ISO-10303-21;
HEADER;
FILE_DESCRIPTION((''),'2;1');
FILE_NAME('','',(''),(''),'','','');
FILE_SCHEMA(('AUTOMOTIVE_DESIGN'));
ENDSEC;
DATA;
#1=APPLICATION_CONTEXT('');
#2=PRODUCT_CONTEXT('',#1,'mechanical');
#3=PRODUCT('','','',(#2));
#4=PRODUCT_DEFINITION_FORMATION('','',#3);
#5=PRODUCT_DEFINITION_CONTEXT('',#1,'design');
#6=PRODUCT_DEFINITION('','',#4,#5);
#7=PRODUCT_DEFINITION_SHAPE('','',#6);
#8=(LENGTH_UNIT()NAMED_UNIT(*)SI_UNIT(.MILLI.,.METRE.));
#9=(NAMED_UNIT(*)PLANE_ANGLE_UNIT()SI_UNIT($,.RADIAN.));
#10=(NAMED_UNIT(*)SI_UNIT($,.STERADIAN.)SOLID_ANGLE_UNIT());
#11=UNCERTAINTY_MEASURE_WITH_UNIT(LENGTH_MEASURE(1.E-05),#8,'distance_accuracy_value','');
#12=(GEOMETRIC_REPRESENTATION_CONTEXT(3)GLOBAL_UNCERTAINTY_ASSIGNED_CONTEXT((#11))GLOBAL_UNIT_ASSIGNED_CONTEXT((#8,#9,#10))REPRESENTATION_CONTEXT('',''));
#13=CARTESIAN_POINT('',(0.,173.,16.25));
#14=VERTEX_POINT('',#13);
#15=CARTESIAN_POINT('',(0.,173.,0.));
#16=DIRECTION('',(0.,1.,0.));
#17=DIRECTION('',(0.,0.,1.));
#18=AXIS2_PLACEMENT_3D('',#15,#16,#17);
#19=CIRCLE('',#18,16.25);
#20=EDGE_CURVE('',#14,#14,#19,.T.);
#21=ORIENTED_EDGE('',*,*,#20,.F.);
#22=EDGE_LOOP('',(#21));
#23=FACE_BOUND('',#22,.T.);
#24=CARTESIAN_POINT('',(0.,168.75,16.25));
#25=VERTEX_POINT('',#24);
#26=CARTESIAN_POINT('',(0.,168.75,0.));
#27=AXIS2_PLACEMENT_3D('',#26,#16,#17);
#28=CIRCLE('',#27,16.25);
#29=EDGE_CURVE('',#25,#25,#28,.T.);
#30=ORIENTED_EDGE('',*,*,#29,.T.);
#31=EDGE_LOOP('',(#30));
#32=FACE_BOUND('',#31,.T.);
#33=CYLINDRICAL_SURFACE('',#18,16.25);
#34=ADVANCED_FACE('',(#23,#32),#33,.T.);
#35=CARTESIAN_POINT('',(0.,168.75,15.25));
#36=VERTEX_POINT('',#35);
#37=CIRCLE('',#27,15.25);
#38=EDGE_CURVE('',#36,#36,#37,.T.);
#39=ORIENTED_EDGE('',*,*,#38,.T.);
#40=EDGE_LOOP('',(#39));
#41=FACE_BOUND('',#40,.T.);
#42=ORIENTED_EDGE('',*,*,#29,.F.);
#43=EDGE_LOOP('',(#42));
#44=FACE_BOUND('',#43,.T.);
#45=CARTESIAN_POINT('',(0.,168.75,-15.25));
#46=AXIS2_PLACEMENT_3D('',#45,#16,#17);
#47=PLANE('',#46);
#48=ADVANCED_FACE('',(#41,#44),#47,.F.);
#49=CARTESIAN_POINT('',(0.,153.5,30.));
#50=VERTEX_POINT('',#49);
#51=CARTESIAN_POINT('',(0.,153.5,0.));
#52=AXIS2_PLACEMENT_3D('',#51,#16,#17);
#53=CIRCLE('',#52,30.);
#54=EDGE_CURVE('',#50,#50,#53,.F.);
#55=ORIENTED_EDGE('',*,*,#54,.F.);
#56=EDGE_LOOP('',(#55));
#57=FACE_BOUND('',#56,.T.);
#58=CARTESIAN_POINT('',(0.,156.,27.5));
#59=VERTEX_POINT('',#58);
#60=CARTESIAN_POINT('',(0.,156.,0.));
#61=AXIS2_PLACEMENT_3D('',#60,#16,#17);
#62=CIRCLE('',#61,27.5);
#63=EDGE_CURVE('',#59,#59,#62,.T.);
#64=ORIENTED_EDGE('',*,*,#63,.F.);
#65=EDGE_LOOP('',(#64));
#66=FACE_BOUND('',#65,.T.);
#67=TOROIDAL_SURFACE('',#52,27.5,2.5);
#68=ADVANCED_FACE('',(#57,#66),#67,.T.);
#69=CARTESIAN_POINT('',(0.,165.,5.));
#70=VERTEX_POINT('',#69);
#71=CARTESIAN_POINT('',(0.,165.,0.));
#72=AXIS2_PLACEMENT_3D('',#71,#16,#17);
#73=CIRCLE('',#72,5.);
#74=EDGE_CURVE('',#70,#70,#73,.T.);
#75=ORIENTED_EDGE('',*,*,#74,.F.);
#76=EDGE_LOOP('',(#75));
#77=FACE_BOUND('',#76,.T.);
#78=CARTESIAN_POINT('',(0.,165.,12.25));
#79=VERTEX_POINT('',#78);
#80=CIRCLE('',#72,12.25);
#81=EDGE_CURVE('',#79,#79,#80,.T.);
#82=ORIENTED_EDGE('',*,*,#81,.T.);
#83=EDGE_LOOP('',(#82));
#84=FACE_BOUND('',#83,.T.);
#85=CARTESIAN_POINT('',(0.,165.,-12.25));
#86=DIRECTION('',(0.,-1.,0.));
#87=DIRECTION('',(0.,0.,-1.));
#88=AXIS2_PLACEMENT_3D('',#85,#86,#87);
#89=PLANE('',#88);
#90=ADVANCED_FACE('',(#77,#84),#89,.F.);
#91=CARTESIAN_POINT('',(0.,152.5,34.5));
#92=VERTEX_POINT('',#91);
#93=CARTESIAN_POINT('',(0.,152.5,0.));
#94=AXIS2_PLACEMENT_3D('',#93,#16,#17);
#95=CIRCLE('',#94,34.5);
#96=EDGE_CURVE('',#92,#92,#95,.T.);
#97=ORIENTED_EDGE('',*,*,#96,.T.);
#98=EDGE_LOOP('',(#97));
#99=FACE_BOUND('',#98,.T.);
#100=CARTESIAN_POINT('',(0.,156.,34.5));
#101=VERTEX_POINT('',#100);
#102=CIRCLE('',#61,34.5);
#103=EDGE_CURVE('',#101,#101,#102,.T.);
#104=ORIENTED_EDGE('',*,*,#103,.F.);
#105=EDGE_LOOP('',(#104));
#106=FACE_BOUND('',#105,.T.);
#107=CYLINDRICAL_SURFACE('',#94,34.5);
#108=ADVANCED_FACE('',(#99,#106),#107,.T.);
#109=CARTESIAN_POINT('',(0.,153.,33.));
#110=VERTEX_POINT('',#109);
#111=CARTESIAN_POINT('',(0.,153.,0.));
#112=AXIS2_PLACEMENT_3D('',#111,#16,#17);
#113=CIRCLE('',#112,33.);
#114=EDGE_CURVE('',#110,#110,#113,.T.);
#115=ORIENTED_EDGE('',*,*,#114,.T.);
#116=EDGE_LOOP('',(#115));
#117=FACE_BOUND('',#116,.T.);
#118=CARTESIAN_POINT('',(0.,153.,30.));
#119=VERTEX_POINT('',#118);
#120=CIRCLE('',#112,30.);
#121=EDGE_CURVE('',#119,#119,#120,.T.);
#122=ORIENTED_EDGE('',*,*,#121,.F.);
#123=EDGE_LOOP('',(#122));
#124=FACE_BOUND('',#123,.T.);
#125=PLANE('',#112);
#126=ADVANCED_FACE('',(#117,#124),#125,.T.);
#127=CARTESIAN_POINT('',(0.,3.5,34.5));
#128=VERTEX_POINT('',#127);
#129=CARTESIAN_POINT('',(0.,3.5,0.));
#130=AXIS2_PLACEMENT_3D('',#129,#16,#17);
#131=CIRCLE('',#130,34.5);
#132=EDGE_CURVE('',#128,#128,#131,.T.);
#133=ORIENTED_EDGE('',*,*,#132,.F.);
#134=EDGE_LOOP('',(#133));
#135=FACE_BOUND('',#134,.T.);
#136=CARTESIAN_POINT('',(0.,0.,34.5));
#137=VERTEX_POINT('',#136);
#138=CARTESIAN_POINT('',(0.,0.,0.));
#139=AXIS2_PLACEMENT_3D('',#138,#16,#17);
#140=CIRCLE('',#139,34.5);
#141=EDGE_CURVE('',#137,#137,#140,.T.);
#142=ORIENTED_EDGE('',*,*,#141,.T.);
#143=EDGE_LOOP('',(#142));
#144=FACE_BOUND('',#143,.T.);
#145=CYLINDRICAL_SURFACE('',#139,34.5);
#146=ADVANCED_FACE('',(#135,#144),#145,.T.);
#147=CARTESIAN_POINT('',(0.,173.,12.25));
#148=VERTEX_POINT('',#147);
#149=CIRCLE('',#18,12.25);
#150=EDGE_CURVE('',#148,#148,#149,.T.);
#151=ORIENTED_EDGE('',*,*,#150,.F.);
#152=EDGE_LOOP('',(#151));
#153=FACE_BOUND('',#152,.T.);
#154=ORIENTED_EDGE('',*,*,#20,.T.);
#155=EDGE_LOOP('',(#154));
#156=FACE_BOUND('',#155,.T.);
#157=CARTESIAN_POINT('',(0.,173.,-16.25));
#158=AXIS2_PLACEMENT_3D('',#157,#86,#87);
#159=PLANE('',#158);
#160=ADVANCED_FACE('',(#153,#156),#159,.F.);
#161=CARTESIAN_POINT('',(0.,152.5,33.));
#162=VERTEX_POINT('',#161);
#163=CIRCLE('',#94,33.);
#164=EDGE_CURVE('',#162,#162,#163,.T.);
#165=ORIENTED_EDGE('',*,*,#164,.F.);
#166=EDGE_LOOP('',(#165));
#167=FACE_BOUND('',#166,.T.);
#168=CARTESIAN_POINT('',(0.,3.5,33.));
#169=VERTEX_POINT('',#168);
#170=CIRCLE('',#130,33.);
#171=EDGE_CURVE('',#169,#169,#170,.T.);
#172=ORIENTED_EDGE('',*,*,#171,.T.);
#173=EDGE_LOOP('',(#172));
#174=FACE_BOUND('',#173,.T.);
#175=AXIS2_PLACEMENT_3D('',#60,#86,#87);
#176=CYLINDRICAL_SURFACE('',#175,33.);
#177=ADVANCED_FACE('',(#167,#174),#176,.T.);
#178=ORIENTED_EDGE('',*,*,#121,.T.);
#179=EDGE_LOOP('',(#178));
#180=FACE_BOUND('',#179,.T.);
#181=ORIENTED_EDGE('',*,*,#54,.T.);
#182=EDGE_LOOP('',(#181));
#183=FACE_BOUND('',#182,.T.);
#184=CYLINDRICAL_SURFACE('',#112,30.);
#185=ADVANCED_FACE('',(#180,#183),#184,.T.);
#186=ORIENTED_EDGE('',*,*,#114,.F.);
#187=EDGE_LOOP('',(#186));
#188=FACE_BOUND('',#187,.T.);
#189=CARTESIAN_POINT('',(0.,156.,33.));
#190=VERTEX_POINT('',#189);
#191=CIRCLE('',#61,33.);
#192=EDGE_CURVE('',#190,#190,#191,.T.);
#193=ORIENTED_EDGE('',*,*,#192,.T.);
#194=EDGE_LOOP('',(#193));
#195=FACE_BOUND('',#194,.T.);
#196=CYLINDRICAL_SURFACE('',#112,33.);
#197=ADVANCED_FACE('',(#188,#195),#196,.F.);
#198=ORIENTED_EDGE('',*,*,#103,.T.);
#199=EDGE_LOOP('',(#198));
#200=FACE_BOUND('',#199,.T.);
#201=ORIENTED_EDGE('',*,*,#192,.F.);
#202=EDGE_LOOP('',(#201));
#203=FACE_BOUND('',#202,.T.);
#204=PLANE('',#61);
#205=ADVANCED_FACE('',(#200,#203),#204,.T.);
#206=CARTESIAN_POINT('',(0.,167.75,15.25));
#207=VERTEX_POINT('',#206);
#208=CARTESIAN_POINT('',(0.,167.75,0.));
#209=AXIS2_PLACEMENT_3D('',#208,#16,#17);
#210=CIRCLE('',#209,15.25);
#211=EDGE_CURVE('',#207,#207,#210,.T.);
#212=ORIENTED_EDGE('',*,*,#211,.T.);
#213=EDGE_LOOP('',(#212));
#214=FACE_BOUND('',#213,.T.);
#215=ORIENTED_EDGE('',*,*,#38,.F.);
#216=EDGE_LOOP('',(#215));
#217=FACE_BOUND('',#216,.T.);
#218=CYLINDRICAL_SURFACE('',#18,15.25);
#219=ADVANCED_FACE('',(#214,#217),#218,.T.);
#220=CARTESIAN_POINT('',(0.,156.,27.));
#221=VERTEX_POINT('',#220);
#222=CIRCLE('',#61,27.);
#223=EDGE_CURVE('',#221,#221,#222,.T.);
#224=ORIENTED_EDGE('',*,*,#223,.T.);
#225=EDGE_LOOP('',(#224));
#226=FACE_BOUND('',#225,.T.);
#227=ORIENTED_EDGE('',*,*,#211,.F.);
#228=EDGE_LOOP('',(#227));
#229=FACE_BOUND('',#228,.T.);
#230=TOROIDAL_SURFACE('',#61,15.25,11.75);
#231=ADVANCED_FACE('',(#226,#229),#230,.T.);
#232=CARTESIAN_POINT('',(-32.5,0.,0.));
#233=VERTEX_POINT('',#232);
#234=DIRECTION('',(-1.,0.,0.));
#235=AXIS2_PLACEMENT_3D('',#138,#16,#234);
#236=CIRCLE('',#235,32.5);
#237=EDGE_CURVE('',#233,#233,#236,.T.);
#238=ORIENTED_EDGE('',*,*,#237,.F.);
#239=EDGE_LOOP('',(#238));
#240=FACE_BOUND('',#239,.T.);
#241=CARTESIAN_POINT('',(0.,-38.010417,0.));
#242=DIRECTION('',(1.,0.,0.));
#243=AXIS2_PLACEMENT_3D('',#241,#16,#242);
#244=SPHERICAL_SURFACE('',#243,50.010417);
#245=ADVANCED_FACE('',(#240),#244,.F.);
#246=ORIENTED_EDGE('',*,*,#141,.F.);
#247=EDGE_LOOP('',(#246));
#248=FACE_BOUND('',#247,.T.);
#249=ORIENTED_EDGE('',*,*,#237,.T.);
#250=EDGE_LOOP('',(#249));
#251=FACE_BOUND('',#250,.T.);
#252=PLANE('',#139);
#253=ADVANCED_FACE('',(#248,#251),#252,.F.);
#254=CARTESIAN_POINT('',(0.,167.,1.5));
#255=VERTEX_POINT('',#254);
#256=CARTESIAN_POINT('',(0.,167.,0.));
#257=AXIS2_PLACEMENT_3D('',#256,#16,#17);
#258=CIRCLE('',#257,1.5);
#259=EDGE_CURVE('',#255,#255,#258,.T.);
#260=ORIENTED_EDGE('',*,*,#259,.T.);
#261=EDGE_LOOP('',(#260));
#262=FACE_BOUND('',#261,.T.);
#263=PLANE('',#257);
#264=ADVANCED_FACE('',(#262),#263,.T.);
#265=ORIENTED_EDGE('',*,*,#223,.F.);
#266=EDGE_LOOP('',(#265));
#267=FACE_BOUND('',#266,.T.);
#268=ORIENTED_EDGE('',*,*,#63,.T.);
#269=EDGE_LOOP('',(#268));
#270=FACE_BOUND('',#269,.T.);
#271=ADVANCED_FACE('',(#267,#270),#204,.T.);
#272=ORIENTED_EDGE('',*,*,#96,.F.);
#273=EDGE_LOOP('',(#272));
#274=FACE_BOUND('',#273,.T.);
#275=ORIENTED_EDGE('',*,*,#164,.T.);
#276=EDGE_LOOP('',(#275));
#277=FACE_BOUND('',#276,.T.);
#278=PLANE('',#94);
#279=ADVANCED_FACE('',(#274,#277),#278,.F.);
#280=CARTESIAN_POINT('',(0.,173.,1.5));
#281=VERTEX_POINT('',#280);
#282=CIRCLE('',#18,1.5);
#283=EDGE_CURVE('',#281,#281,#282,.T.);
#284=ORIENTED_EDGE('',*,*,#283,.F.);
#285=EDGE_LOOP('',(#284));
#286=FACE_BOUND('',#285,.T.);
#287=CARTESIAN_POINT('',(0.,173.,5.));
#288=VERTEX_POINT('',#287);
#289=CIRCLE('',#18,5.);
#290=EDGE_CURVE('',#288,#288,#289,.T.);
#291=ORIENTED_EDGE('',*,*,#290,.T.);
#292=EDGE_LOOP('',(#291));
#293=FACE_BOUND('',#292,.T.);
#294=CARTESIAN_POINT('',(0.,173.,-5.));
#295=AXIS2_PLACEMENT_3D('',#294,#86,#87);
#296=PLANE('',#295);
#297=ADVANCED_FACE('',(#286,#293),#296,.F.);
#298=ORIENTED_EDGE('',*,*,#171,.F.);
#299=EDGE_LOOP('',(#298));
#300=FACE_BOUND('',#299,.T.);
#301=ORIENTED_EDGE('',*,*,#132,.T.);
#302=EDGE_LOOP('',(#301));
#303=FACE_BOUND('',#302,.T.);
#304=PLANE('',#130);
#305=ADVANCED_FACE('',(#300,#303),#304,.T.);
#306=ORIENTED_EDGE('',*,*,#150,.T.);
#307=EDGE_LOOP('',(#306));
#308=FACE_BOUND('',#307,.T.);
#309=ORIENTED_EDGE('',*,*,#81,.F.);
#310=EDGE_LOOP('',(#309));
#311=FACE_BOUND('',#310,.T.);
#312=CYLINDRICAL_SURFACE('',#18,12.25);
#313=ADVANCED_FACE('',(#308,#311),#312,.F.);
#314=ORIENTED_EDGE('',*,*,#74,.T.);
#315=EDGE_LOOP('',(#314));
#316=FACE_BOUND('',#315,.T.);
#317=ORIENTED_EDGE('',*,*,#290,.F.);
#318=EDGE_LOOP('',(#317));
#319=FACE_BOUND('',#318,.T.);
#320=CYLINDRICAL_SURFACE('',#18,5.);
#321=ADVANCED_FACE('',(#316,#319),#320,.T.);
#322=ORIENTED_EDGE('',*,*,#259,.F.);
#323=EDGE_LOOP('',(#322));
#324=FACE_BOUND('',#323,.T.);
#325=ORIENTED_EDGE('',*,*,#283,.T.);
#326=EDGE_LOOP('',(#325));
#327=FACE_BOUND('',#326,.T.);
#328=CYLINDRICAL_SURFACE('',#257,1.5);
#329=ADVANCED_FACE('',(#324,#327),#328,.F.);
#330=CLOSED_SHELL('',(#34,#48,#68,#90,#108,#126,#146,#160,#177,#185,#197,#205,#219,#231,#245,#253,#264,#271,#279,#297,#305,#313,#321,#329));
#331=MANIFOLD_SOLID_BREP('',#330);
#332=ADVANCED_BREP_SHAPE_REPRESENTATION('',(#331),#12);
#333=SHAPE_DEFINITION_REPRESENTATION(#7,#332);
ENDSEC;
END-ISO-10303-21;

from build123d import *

# Parameters (mm, degrees)
SKETCH1_R           = 33
BOSS_EXTRUDE1_DEPTH = 156
SKETCH3_R           = 34.5
BOSS_EXTRUDE2_DEPTH = 3.5
LPATTERN1_COUNT     = 2
LPATTERN1_PITCH     = 152.5
SKETCH6_R           = 1.5
CUT_EXTRUDE1_DEPTH  = 6
CUT_EXTRUDE2_START  = -3
SKETCH7_R           = 33
SKETCH7_R_2         = 30
CUT_EXTRUDE2_DEPTH  = 3
FILLET1_R           = 2.5


with BuildPart() as part:
    # Sketch1 → Boss-Extrude1 (new body)
    with BuildSketch(Plane(origin=(0, 0, 0), x_dir=(1, 0, 0), z_dir=(0, 1, 0))):
        with Locations(Location((0, 0, 0), (0, 0, 270))):
            Circle(SKETCH1_R)
    extrude(amount=BOSS_EXTRUDE1_DEPTH)

    # Sketch2 → Revolve1 (revolve)
    with BuildSketch(Plane(origin=(0, 0, 0), x_dir=(0, 0, -1), z_dir=(1, 0, 0)), mode=Mode.PRIVATE) as revolve1_sk:
        with BuildLine():
            Line((15.25, 167.75), (15.25, 168.75))
            Line((15.25, 168.75), (16.25, 168.75))
            Line((16.25, 168.75), (16.25, 173))
            Line((16.25, 173), (12.25, 173))
            Line((12.25, 173), (12.25, 165))
            Line((12.25, 165), (5, 165))
            Line((5, 165), (5, 173))
            Line((5, 173), (0, 173))
            Line((0, 173), (0, 156))
            Line((0, 156), (27, 156))
            ThreePointArc((27, 156), (23.558504679, 164.308504679), (15.25, 167.75))
        make_face()
    revolve(revolve1_sk.sketch.rotate(Axis((0, 173, 0), (0, -1, 0)), 180), axis=Axis((0, 173, 0), (0, -1, 0)))

    # Sketch3 → Boss-Extrude2 (add)
    with BuildSketch(Plane(origin=(0, 156, 0), x_dir=(1, 0, 0), z_dir=(0, 1, 0))):
        with Locations(Location((0, 0, 0), (0, 0, 270))):
            Circle(SKETCH3_R)
    boss_extrude2 = extrude(amount=-BOSS_EXTRUDE2_DEPTH)

    # LPattern1: Boss-Extrude2 ×2
    with Locations(*[(0, -i * LPATTERN1_PITCH, 0) for i in range(1, LPATTERN1_COUNT)]):
        add(boss_extrude2)

    # Sketch5 → Cut-Revolve1 (revolve, cut)
    with BuildSketch(Plane.XY, mode=Mode.PRIVATE) as cut_revolve1_sk:
        with BuildLine():
            Line((0, 0), (-32.5, 0))
            ThreePointArc((-32.5, 0), (-17.322312201, 8.904178879), (0, 12))
            Line((0, 12), (0, 0))
        make_face()
    revolve(cut_revolve1_sk.sketch.rotate(Axis((0, 12, 0), (0, -1, 0)), 180), axis=Axis((0, 12, 0), (0, -1, 0)), mode=Mode.SUBTRACT)

    # Sketch6 → Cut-Extrude1 (cut)
    with BuildSketch(Plane(origin=(0, 173, 0), x_dir=(1, 0, 0), z_dir=(0, 1, 0))):
        with Locations(Location((0, 0, 0), (0, 0, 270))):
            Circle(SKETCH6_R)
    extrude(amount=-CUT_EXTRUDE1_DEPTH, mode=Mode.SUBTRACT)

    # Sketch7 → Cut-Extrude2 (cut)
    with BuildSketch(Plane(origin=(0, 156, 0), x_dir=(1, 0, 0), z_dir=(0, 1, 0)).offset(CUT_EXTRUDE2_START)):
        with Locations(Location((0, 0, 0), (0, 0, 270))):
            Circle(SKETCH7_R)
        with Locations(Location((0, 0, 0), (0, 0, 270))):
            Circle(SKETCH7_R_2, mode=Mode.SUBTRACT)
    extrude(amount=CUT_EXTRUDE2_DEPTH, mode=Mode.SUBTRACT)

    # Fillet1
    fillet1_edges = [part.edges().sort_by_distance(p)[0] for p in [
        (0, 156, -30),
    ]]
    fillet(fillet1_edges, radius=FILLET1_R)


solid = part.part
